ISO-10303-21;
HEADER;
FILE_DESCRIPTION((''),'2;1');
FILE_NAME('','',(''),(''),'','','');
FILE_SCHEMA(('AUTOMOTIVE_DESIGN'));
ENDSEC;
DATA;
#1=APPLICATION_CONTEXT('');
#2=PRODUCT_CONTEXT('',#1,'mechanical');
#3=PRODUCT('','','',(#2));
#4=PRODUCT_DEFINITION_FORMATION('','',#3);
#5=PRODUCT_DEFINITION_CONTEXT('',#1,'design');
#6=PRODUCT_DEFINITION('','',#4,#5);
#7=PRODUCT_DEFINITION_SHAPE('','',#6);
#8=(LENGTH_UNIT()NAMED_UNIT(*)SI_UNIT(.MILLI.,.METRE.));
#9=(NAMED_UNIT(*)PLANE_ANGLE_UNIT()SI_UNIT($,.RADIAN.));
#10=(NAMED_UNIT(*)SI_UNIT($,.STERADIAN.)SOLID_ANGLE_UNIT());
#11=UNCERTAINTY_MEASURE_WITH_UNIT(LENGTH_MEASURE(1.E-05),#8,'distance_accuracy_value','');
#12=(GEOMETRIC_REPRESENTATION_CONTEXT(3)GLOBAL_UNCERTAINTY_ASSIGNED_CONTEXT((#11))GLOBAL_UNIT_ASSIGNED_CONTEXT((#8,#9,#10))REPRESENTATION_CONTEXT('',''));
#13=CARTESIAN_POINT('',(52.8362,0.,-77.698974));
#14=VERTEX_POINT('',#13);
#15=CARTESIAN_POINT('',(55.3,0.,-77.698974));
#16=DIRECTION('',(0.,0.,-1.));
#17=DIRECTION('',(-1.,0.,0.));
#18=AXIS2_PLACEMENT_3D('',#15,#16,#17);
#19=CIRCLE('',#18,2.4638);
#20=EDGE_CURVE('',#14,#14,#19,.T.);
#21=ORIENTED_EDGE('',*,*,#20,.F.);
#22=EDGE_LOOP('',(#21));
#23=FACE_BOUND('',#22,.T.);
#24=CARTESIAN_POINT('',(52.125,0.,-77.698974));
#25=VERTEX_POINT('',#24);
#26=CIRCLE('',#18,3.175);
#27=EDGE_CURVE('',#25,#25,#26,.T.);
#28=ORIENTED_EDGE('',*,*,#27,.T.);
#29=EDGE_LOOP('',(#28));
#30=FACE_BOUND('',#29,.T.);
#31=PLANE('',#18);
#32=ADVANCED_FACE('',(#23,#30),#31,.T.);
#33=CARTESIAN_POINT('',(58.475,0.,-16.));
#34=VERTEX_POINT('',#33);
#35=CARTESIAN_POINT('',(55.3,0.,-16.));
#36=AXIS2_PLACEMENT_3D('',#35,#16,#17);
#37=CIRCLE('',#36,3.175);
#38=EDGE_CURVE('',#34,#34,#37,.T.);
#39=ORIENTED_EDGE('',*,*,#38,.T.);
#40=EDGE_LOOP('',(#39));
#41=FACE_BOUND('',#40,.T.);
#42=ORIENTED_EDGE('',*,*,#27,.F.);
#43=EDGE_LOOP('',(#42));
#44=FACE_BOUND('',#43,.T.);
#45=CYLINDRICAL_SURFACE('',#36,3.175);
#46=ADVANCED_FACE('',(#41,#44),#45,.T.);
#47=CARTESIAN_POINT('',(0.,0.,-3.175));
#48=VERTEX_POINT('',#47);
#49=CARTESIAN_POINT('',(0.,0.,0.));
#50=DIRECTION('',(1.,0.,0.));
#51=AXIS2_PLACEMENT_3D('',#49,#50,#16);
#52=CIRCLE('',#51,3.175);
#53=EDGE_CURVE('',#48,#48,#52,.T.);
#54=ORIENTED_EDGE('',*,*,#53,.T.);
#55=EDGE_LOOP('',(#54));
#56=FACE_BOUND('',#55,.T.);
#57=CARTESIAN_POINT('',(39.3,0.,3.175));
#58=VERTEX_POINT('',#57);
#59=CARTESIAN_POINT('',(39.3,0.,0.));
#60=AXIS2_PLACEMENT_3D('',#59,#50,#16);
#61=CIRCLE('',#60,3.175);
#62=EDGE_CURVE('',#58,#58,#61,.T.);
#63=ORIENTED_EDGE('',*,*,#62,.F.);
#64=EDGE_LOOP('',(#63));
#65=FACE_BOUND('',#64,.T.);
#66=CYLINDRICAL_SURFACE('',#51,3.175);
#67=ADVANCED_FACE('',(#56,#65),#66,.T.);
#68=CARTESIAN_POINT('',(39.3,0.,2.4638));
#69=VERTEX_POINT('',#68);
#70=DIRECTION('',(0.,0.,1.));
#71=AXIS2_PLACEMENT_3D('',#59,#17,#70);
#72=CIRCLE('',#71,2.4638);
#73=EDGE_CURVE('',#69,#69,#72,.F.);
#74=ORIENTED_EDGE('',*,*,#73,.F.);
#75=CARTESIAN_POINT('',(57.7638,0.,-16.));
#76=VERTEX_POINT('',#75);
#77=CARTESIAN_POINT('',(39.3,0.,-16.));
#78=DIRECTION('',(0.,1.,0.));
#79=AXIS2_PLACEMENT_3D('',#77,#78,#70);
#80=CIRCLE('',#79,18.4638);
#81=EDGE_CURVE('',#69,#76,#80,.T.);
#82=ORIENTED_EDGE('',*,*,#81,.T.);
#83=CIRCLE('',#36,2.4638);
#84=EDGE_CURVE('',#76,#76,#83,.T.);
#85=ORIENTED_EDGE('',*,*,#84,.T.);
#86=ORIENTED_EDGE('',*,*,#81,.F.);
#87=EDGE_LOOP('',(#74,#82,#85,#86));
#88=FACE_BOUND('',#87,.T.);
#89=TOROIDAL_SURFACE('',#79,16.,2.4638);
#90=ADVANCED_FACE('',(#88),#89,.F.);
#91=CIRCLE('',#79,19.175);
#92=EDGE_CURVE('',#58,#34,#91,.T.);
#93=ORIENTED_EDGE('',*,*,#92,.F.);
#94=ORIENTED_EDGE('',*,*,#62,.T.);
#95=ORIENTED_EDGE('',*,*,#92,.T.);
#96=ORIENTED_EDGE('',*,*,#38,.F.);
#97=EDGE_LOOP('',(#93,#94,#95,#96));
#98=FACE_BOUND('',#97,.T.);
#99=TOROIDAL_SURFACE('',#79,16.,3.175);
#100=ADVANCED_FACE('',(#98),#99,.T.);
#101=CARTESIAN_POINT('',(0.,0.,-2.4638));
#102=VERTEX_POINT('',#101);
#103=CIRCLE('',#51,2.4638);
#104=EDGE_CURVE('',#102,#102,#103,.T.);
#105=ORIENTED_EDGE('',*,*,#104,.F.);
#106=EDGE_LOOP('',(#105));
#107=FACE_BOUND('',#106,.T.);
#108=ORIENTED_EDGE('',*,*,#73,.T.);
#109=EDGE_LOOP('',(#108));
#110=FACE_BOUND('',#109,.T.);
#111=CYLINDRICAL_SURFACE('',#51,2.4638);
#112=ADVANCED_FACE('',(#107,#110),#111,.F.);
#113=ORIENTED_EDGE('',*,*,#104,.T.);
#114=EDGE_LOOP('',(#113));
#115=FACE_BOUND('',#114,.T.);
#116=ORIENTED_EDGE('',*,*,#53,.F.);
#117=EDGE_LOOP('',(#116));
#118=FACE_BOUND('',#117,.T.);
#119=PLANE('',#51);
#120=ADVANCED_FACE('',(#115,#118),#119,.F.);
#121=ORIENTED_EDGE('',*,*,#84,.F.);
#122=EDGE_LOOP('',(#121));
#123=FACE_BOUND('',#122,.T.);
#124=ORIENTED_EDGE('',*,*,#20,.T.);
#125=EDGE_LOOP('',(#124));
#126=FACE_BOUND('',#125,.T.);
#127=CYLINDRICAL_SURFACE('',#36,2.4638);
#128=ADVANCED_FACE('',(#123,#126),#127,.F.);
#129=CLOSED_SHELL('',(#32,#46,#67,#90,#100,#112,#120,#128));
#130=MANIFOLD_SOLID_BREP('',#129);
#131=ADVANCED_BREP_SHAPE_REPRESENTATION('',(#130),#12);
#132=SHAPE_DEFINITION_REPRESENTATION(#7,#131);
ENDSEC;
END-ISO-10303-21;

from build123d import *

# Parameters (mm, degrees)
SKETCH2_R   = 3.175
SKETCH2_R_2 = 2.4638


with BuildPart() as part:
    # Sweep-Thin1: sweep along a path in Sketch3
    with BuildLine(Plane(origin=(0, 0, 0), x_dir=(1, 0, 0), z_dir=(0, 1, 0))) as sweep_thin1_path:
        Line((0, 0), (39.3, 0))
        ThreePointArc((39.3, 0), (50.613708499, 4.686291501), (55.3, 16))
        Line((55.3, 16), (55.3, 77.69897428))
    # Sketch2 → Sweep-Thin1 (sweep)
    with BuildSketch(Plane(origin=(0, 0, 0), x_dir=(0, 0, -1), z_dir=(1, 0, 0))):
        Circle(SKETCH2_R)
        Circle(SKETCH2_R_2, mode=Mode.SUBTRACT)
    sweep(path=sweep_thin1_path.line)


solid = part.part
